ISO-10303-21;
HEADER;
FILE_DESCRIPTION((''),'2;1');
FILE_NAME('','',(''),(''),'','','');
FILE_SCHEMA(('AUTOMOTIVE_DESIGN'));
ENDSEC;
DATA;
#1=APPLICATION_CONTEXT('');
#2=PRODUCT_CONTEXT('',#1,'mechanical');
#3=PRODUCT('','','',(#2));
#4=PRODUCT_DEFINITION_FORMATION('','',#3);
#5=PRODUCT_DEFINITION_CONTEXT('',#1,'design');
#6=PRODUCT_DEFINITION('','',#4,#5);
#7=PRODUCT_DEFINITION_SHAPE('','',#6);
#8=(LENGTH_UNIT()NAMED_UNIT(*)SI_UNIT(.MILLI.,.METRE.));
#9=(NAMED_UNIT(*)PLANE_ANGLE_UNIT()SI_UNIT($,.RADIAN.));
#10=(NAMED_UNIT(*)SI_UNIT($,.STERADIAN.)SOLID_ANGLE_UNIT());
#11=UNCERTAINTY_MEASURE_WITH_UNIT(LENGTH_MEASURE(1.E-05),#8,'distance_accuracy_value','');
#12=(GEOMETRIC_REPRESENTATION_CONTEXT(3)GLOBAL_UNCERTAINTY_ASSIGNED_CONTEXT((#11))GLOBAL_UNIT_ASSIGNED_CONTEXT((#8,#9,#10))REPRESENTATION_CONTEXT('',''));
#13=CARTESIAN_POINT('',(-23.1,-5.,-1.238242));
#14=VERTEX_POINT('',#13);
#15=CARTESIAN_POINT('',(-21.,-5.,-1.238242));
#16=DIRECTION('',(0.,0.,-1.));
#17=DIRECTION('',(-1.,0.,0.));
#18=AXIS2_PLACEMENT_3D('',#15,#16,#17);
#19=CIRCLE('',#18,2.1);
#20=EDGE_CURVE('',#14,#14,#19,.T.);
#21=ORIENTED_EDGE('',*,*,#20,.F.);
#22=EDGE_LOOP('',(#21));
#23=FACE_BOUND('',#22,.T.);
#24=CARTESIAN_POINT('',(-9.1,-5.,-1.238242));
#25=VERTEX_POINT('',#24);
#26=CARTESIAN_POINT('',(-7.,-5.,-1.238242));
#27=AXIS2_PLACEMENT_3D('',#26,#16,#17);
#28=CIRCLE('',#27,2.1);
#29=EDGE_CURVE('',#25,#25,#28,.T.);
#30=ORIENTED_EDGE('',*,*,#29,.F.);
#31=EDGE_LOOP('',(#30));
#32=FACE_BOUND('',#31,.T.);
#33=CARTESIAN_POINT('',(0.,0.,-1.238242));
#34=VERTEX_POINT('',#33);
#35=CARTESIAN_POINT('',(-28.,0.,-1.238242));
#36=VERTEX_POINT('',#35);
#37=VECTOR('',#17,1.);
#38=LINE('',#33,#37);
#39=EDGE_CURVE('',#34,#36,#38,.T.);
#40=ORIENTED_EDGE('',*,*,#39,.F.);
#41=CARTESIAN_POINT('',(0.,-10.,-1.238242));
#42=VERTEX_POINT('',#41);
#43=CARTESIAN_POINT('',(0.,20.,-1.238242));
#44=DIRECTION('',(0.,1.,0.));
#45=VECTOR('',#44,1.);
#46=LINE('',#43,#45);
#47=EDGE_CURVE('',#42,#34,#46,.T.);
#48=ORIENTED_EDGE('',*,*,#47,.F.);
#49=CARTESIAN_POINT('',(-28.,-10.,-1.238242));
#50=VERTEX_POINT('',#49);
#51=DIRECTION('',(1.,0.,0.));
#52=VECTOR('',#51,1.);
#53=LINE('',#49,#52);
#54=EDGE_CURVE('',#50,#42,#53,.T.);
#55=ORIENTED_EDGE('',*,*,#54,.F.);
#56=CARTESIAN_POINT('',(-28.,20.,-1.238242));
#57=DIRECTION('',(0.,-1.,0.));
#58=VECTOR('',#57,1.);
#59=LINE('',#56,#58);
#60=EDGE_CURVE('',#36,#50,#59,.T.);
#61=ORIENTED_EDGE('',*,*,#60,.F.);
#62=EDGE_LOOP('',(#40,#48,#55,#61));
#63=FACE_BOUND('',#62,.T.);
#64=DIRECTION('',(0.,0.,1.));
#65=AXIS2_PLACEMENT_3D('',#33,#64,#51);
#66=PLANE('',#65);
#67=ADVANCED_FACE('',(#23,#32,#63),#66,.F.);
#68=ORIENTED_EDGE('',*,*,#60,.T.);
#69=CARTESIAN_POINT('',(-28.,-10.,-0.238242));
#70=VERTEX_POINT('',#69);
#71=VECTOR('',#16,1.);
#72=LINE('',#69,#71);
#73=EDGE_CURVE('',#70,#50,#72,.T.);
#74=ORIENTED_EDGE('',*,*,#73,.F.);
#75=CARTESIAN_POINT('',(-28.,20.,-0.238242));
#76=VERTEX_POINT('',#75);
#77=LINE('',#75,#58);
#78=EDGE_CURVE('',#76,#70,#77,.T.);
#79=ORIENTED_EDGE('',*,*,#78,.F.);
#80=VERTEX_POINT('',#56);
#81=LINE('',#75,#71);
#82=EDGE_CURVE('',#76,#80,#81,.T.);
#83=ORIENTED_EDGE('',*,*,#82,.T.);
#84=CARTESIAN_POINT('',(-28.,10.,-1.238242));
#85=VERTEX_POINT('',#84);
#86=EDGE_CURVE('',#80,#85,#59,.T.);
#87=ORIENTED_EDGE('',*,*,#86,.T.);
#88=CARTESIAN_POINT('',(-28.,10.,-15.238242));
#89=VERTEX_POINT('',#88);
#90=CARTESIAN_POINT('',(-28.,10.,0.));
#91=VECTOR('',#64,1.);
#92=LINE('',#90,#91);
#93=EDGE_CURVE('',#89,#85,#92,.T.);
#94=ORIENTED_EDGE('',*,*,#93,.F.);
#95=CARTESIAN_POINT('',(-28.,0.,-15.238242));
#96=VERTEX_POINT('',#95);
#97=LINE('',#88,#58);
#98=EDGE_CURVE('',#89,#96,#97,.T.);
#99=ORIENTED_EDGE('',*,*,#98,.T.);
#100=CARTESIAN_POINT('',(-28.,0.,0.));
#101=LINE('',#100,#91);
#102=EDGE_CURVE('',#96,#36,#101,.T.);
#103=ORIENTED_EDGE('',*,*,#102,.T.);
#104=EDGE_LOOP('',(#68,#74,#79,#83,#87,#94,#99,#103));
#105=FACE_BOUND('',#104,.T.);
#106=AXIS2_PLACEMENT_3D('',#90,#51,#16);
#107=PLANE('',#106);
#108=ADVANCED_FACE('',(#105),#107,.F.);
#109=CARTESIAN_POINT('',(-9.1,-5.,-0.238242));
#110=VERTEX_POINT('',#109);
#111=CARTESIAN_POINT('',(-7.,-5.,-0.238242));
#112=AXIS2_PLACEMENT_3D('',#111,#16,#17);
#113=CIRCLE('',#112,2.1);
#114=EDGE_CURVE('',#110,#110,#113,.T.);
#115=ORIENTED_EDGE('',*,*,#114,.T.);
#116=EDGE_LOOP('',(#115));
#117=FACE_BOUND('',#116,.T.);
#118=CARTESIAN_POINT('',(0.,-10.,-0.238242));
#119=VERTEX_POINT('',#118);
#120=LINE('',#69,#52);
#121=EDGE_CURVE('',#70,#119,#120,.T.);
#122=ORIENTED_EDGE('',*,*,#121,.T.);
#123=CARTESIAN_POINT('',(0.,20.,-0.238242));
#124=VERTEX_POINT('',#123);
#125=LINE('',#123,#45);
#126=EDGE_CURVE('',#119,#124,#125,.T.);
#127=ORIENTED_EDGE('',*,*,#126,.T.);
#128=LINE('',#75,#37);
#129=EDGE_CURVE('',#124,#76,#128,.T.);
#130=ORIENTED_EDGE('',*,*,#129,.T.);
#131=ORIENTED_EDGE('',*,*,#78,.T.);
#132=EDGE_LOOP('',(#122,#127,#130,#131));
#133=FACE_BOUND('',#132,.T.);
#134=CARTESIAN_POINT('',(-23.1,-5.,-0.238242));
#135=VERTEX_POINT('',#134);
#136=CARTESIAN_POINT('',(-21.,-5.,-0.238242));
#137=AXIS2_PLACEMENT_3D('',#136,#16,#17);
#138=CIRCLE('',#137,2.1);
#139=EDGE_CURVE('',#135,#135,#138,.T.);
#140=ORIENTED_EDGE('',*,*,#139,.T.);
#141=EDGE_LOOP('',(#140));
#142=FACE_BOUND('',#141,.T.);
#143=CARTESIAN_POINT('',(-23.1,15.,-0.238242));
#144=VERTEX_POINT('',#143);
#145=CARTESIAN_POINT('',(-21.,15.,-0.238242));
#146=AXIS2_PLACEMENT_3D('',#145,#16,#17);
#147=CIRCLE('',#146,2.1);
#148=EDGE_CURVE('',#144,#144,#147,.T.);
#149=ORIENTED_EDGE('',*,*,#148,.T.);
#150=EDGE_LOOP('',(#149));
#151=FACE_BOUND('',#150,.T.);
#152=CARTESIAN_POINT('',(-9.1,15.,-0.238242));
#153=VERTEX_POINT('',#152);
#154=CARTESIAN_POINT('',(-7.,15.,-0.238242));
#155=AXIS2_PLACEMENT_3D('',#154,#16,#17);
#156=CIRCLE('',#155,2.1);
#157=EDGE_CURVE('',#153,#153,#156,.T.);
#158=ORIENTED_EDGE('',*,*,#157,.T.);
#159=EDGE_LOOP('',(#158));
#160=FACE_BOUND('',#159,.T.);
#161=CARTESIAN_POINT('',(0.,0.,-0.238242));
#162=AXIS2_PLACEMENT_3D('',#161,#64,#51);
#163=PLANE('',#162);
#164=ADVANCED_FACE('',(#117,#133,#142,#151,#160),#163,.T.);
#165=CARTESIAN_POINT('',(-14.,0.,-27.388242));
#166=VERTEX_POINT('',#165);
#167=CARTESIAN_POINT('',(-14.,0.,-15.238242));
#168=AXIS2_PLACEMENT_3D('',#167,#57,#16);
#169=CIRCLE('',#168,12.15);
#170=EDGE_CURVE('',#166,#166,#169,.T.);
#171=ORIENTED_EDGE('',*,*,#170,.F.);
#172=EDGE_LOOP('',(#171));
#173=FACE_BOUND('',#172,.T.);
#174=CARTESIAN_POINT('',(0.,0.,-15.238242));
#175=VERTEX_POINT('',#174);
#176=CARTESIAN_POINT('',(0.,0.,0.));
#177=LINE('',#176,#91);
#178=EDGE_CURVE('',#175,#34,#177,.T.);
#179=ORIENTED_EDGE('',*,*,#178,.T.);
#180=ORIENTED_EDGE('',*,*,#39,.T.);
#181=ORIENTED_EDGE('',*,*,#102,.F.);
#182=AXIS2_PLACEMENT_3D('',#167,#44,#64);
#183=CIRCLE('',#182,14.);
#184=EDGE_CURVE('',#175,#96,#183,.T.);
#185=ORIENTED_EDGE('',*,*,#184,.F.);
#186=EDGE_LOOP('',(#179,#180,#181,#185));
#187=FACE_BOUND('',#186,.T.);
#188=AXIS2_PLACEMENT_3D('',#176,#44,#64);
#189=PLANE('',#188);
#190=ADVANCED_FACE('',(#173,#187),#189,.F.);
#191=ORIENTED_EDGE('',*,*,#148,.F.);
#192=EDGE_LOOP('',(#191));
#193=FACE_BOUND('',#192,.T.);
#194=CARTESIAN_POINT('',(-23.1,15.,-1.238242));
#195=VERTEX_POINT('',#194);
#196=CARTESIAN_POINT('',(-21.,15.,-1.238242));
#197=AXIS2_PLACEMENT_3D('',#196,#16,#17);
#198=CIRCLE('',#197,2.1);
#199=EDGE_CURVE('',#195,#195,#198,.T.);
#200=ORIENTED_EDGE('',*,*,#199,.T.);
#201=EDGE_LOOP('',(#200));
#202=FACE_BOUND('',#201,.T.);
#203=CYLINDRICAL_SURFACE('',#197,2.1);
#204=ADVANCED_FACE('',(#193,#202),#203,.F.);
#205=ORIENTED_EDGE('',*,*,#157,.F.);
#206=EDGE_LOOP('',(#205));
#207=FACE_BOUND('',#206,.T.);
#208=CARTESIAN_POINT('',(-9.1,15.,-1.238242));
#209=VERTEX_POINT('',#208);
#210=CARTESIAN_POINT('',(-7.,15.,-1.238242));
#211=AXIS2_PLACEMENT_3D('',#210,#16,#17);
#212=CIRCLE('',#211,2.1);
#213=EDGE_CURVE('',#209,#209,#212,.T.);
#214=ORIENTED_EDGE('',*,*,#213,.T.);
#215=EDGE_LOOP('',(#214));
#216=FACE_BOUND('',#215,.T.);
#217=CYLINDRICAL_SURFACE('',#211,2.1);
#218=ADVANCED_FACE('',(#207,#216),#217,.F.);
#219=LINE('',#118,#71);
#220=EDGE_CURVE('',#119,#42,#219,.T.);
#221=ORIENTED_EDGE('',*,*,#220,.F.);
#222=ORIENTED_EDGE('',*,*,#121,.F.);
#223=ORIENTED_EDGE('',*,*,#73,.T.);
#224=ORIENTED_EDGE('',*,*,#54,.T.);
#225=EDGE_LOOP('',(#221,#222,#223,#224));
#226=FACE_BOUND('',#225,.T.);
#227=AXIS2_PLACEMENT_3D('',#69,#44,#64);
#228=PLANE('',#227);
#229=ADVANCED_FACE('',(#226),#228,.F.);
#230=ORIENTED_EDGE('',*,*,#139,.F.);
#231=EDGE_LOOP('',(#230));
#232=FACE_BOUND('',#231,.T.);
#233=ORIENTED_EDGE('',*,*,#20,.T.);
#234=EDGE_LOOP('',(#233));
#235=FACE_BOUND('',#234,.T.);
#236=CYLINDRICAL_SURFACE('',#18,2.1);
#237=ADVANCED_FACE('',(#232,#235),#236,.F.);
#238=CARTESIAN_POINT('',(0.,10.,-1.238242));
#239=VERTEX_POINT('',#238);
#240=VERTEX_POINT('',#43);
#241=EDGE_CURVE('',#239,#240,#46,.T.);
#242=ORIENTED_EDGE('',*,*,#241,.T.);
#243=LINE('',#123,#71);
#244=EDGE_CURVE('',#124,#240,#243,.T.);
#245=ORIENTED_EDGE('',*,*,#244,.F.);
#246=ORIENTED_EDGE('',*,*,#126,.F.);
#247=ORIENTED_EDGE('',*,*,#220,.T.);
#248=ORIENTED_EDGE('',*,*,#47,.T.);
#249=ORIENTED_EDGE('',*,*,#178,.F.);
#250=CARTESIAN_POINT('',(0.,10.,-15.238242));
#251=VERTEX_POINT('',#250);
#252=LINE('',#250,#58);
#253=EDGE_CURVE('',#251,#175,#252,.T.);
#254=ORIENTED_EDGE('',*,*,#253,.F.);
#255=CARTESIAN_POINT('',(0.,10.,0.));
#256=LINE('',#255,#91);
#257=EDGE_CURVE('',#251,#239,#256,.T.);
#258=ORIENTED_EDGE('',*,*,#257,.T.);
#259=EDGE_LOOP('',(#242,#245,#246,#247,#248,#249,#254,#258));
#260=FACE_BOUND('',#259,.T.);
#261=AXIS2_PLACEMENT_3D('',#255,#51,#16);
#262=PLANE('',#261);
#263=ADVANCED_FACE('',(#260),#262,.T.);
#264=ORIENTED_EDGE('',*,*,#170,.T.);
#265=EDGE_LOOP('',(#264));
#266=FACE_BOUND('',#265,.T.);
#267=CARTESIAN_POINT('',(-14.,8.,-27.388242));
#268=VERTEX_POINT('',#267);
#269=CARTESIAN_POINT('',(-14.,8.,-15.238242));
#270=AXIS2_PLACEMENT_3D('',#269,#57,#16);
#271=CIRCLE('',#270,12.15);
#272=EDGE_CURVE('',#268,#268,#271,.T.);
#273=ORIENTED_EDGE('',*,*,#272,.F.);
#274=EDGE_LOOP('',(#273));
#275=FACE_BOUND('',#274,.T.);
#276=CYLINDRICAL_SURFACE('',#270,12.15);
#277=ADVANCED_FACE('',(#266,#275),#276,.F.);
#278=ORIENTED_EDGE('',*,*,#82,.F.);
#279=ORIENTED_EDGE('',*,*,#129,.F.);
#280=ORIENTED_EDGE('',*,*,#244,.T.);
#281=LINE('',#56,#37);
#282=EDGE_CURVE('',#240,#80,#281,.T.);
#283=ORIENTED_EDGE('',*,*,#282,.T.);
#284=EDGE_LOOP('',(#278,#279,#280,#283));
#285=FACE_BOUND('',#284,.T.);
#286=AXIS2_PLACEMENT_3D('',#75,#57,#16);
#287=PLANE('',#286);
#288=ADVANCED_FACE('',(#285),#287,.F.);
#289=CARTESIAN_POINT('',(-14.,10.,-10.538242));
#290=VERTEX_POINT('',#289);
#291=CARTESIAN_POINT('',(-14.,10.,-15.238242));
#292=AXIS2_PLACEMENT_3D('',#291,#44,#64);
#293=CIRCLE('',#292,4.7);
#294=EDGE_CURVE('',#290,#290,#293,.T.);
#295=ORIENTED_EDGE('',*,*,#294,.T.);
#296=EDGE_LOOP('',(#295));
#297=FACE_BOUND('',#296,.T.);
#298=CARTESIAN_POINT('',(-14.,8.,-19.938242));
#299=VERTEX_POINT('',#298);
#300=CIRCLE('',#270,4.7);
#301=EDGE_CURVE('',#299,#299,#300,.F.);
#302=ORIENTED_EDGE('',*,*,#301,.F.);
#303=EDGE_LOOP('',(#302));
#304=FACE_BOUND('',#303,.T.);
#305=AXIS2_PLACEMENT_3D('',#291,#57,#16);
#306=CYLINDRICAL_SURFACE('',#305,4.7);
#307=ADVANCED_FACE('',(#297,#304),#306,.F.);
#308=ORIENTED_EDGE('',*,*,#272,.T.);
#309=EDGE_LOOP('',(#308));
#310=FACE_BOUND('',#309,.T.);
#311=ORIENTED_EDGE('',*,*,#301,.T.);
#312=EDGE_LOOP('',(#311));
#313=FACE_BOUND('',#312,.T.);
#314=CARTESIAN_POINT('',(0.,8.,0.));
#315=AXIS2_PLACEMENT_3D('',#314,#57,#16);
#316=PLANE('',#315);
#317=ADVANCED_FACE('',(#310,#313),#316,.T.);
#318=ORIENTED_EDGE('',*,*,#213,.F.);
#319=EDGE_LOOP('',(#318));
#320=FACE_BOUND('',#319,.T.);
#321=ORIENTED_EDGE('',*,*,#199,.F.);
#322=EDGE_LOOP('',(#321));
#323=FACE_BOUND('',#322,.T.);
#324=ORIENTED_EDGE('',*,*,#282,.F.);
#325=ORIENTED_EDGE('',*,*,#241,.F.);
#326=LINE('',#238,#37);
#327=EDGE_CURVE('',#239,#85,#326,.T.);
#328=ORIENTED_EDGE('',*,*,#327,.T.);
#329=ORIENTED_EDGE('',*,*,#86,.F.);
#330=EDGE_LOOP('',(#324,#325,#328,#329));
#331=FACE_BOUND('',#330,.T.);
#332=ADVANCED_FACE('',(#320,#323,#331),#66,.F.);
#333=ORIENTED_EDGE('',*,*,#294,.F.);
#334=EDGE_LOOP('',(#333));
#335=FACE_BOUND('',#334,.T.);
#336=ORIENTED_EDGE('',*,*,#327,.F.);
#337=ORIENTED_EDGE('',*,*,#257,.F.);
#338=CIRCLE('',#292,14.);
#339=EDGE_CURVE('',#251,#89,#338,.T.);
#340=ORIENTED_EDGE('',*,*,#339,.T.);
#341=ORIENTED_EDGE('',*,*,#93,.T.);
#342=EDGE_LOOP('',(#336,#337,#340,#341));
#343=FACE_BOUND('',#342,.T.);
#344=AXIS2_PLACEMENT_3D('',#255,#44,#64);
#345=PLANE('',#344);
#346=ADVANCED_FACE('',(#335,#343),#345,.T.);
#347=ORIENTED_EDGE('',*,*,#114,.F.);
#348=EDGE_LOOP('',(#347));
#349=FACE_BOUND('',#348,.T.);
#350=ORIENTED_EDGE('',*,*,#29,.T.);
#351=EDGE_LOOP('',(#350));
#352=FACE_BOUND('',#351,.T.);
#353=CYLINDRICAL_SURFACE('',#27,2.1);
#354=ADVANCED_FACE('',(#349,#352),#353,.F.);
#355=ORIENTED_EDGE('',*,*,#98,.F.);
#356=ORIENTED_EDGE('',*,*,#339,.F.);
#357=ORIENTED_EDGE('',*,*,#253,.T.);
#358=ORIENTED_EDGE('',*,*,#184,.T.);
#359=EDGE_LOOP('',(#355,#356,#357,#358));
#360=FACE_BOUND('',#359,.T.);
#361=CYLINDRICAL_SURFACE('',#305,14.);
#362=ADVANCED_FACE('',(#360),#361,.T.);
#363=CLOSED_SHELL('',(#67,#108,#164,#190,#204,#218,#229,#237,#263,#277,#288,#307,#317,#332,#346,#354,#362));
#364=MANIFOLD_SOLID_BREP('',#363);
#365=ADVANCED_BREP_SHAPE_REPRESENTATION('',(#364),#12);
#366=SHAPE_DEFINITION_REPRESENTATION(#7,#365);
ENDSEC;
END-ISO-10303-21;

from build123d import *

# Parameters (mm, degrees)
SKETCH1_R                   = 4.7
BOSS_EXTRUDE1_DEPTH         = 10
SKETCH2_W                   = 28
SKETCH2_H                   = 30
BOSS_EXTRUDE2_DEPTH         = 1
TAP_DRILL_FOR_M5X0_8_TAP1_D = 4.2
SKETCH5_R                   = 12.15
SKETCH5_R_2                 = 4.7
CUT_EXTRUDE1_DEPTH          = 8


with BuildPart() as part:
    # Sketch1 → Boss-Extrude1 (new body)
    with BuildSketch(Plane(origin=(0, 0, 0), x_dir=(1, 0, 0), z_dir=(0, 1, 0))):
        with BuildLine():
            Line((0, 1.238241861), (0, 15.238241861))
            ThreePointArc((0, 15.238241861), (-14, 29.238241861), (-28, 15.238241861))
            Line((-28, 15.238241861), (-28, 1.238241861))
            Line((-28, 1.238241861), (0, 1.238241861))
        make_face()
        with Locations((-14, 15.238241861)):
            Circle(SKETCH1_R, mode=Mode.SUBTRACT)
    extrude(amount=BOSS_EXTRUDE1_DEPTH)

    # Sketch2 → Boss-Extrude2 (add)
    with BuildSketch(Plane.XY.offset(-1.238241861)):
        with Locations((-14, 5)):
            Rectangle(SKETCH2_W, SKETCH2_H)
    extrude(amount=BOSS_EXTRUDE2_DEPTH)

    # Tap Drill for M5x0.8 Tap1 (through all)
    with Locations(Plane(origin=(0, 0, -1.238241861), x_dir=(-1, 0, 0), z_dir=(0, 0, -1))):
        with Locations((7, 15), (21, 15), (7, -5), (21, -5)):
            Hole(TAP_DRILL_FOR_M5X0_8_TAP1_D / 2)

    # Sketch5 → Cut-Extrude1 (cut)
    with BuildSketch(Plane.XZ):
        with Locations((-14, -15.238241861)):
            Circle(SKETCH5_R)
        with Locations((-14, -15.238241861)):
            Circle(SKETCH5_R_2, mode=Mode.SUBTRACT)
    extrude(amount=-CUT_EXTRUDE1_DEPTH, mode=Mode.SUBTRACT)


solid = part.part
